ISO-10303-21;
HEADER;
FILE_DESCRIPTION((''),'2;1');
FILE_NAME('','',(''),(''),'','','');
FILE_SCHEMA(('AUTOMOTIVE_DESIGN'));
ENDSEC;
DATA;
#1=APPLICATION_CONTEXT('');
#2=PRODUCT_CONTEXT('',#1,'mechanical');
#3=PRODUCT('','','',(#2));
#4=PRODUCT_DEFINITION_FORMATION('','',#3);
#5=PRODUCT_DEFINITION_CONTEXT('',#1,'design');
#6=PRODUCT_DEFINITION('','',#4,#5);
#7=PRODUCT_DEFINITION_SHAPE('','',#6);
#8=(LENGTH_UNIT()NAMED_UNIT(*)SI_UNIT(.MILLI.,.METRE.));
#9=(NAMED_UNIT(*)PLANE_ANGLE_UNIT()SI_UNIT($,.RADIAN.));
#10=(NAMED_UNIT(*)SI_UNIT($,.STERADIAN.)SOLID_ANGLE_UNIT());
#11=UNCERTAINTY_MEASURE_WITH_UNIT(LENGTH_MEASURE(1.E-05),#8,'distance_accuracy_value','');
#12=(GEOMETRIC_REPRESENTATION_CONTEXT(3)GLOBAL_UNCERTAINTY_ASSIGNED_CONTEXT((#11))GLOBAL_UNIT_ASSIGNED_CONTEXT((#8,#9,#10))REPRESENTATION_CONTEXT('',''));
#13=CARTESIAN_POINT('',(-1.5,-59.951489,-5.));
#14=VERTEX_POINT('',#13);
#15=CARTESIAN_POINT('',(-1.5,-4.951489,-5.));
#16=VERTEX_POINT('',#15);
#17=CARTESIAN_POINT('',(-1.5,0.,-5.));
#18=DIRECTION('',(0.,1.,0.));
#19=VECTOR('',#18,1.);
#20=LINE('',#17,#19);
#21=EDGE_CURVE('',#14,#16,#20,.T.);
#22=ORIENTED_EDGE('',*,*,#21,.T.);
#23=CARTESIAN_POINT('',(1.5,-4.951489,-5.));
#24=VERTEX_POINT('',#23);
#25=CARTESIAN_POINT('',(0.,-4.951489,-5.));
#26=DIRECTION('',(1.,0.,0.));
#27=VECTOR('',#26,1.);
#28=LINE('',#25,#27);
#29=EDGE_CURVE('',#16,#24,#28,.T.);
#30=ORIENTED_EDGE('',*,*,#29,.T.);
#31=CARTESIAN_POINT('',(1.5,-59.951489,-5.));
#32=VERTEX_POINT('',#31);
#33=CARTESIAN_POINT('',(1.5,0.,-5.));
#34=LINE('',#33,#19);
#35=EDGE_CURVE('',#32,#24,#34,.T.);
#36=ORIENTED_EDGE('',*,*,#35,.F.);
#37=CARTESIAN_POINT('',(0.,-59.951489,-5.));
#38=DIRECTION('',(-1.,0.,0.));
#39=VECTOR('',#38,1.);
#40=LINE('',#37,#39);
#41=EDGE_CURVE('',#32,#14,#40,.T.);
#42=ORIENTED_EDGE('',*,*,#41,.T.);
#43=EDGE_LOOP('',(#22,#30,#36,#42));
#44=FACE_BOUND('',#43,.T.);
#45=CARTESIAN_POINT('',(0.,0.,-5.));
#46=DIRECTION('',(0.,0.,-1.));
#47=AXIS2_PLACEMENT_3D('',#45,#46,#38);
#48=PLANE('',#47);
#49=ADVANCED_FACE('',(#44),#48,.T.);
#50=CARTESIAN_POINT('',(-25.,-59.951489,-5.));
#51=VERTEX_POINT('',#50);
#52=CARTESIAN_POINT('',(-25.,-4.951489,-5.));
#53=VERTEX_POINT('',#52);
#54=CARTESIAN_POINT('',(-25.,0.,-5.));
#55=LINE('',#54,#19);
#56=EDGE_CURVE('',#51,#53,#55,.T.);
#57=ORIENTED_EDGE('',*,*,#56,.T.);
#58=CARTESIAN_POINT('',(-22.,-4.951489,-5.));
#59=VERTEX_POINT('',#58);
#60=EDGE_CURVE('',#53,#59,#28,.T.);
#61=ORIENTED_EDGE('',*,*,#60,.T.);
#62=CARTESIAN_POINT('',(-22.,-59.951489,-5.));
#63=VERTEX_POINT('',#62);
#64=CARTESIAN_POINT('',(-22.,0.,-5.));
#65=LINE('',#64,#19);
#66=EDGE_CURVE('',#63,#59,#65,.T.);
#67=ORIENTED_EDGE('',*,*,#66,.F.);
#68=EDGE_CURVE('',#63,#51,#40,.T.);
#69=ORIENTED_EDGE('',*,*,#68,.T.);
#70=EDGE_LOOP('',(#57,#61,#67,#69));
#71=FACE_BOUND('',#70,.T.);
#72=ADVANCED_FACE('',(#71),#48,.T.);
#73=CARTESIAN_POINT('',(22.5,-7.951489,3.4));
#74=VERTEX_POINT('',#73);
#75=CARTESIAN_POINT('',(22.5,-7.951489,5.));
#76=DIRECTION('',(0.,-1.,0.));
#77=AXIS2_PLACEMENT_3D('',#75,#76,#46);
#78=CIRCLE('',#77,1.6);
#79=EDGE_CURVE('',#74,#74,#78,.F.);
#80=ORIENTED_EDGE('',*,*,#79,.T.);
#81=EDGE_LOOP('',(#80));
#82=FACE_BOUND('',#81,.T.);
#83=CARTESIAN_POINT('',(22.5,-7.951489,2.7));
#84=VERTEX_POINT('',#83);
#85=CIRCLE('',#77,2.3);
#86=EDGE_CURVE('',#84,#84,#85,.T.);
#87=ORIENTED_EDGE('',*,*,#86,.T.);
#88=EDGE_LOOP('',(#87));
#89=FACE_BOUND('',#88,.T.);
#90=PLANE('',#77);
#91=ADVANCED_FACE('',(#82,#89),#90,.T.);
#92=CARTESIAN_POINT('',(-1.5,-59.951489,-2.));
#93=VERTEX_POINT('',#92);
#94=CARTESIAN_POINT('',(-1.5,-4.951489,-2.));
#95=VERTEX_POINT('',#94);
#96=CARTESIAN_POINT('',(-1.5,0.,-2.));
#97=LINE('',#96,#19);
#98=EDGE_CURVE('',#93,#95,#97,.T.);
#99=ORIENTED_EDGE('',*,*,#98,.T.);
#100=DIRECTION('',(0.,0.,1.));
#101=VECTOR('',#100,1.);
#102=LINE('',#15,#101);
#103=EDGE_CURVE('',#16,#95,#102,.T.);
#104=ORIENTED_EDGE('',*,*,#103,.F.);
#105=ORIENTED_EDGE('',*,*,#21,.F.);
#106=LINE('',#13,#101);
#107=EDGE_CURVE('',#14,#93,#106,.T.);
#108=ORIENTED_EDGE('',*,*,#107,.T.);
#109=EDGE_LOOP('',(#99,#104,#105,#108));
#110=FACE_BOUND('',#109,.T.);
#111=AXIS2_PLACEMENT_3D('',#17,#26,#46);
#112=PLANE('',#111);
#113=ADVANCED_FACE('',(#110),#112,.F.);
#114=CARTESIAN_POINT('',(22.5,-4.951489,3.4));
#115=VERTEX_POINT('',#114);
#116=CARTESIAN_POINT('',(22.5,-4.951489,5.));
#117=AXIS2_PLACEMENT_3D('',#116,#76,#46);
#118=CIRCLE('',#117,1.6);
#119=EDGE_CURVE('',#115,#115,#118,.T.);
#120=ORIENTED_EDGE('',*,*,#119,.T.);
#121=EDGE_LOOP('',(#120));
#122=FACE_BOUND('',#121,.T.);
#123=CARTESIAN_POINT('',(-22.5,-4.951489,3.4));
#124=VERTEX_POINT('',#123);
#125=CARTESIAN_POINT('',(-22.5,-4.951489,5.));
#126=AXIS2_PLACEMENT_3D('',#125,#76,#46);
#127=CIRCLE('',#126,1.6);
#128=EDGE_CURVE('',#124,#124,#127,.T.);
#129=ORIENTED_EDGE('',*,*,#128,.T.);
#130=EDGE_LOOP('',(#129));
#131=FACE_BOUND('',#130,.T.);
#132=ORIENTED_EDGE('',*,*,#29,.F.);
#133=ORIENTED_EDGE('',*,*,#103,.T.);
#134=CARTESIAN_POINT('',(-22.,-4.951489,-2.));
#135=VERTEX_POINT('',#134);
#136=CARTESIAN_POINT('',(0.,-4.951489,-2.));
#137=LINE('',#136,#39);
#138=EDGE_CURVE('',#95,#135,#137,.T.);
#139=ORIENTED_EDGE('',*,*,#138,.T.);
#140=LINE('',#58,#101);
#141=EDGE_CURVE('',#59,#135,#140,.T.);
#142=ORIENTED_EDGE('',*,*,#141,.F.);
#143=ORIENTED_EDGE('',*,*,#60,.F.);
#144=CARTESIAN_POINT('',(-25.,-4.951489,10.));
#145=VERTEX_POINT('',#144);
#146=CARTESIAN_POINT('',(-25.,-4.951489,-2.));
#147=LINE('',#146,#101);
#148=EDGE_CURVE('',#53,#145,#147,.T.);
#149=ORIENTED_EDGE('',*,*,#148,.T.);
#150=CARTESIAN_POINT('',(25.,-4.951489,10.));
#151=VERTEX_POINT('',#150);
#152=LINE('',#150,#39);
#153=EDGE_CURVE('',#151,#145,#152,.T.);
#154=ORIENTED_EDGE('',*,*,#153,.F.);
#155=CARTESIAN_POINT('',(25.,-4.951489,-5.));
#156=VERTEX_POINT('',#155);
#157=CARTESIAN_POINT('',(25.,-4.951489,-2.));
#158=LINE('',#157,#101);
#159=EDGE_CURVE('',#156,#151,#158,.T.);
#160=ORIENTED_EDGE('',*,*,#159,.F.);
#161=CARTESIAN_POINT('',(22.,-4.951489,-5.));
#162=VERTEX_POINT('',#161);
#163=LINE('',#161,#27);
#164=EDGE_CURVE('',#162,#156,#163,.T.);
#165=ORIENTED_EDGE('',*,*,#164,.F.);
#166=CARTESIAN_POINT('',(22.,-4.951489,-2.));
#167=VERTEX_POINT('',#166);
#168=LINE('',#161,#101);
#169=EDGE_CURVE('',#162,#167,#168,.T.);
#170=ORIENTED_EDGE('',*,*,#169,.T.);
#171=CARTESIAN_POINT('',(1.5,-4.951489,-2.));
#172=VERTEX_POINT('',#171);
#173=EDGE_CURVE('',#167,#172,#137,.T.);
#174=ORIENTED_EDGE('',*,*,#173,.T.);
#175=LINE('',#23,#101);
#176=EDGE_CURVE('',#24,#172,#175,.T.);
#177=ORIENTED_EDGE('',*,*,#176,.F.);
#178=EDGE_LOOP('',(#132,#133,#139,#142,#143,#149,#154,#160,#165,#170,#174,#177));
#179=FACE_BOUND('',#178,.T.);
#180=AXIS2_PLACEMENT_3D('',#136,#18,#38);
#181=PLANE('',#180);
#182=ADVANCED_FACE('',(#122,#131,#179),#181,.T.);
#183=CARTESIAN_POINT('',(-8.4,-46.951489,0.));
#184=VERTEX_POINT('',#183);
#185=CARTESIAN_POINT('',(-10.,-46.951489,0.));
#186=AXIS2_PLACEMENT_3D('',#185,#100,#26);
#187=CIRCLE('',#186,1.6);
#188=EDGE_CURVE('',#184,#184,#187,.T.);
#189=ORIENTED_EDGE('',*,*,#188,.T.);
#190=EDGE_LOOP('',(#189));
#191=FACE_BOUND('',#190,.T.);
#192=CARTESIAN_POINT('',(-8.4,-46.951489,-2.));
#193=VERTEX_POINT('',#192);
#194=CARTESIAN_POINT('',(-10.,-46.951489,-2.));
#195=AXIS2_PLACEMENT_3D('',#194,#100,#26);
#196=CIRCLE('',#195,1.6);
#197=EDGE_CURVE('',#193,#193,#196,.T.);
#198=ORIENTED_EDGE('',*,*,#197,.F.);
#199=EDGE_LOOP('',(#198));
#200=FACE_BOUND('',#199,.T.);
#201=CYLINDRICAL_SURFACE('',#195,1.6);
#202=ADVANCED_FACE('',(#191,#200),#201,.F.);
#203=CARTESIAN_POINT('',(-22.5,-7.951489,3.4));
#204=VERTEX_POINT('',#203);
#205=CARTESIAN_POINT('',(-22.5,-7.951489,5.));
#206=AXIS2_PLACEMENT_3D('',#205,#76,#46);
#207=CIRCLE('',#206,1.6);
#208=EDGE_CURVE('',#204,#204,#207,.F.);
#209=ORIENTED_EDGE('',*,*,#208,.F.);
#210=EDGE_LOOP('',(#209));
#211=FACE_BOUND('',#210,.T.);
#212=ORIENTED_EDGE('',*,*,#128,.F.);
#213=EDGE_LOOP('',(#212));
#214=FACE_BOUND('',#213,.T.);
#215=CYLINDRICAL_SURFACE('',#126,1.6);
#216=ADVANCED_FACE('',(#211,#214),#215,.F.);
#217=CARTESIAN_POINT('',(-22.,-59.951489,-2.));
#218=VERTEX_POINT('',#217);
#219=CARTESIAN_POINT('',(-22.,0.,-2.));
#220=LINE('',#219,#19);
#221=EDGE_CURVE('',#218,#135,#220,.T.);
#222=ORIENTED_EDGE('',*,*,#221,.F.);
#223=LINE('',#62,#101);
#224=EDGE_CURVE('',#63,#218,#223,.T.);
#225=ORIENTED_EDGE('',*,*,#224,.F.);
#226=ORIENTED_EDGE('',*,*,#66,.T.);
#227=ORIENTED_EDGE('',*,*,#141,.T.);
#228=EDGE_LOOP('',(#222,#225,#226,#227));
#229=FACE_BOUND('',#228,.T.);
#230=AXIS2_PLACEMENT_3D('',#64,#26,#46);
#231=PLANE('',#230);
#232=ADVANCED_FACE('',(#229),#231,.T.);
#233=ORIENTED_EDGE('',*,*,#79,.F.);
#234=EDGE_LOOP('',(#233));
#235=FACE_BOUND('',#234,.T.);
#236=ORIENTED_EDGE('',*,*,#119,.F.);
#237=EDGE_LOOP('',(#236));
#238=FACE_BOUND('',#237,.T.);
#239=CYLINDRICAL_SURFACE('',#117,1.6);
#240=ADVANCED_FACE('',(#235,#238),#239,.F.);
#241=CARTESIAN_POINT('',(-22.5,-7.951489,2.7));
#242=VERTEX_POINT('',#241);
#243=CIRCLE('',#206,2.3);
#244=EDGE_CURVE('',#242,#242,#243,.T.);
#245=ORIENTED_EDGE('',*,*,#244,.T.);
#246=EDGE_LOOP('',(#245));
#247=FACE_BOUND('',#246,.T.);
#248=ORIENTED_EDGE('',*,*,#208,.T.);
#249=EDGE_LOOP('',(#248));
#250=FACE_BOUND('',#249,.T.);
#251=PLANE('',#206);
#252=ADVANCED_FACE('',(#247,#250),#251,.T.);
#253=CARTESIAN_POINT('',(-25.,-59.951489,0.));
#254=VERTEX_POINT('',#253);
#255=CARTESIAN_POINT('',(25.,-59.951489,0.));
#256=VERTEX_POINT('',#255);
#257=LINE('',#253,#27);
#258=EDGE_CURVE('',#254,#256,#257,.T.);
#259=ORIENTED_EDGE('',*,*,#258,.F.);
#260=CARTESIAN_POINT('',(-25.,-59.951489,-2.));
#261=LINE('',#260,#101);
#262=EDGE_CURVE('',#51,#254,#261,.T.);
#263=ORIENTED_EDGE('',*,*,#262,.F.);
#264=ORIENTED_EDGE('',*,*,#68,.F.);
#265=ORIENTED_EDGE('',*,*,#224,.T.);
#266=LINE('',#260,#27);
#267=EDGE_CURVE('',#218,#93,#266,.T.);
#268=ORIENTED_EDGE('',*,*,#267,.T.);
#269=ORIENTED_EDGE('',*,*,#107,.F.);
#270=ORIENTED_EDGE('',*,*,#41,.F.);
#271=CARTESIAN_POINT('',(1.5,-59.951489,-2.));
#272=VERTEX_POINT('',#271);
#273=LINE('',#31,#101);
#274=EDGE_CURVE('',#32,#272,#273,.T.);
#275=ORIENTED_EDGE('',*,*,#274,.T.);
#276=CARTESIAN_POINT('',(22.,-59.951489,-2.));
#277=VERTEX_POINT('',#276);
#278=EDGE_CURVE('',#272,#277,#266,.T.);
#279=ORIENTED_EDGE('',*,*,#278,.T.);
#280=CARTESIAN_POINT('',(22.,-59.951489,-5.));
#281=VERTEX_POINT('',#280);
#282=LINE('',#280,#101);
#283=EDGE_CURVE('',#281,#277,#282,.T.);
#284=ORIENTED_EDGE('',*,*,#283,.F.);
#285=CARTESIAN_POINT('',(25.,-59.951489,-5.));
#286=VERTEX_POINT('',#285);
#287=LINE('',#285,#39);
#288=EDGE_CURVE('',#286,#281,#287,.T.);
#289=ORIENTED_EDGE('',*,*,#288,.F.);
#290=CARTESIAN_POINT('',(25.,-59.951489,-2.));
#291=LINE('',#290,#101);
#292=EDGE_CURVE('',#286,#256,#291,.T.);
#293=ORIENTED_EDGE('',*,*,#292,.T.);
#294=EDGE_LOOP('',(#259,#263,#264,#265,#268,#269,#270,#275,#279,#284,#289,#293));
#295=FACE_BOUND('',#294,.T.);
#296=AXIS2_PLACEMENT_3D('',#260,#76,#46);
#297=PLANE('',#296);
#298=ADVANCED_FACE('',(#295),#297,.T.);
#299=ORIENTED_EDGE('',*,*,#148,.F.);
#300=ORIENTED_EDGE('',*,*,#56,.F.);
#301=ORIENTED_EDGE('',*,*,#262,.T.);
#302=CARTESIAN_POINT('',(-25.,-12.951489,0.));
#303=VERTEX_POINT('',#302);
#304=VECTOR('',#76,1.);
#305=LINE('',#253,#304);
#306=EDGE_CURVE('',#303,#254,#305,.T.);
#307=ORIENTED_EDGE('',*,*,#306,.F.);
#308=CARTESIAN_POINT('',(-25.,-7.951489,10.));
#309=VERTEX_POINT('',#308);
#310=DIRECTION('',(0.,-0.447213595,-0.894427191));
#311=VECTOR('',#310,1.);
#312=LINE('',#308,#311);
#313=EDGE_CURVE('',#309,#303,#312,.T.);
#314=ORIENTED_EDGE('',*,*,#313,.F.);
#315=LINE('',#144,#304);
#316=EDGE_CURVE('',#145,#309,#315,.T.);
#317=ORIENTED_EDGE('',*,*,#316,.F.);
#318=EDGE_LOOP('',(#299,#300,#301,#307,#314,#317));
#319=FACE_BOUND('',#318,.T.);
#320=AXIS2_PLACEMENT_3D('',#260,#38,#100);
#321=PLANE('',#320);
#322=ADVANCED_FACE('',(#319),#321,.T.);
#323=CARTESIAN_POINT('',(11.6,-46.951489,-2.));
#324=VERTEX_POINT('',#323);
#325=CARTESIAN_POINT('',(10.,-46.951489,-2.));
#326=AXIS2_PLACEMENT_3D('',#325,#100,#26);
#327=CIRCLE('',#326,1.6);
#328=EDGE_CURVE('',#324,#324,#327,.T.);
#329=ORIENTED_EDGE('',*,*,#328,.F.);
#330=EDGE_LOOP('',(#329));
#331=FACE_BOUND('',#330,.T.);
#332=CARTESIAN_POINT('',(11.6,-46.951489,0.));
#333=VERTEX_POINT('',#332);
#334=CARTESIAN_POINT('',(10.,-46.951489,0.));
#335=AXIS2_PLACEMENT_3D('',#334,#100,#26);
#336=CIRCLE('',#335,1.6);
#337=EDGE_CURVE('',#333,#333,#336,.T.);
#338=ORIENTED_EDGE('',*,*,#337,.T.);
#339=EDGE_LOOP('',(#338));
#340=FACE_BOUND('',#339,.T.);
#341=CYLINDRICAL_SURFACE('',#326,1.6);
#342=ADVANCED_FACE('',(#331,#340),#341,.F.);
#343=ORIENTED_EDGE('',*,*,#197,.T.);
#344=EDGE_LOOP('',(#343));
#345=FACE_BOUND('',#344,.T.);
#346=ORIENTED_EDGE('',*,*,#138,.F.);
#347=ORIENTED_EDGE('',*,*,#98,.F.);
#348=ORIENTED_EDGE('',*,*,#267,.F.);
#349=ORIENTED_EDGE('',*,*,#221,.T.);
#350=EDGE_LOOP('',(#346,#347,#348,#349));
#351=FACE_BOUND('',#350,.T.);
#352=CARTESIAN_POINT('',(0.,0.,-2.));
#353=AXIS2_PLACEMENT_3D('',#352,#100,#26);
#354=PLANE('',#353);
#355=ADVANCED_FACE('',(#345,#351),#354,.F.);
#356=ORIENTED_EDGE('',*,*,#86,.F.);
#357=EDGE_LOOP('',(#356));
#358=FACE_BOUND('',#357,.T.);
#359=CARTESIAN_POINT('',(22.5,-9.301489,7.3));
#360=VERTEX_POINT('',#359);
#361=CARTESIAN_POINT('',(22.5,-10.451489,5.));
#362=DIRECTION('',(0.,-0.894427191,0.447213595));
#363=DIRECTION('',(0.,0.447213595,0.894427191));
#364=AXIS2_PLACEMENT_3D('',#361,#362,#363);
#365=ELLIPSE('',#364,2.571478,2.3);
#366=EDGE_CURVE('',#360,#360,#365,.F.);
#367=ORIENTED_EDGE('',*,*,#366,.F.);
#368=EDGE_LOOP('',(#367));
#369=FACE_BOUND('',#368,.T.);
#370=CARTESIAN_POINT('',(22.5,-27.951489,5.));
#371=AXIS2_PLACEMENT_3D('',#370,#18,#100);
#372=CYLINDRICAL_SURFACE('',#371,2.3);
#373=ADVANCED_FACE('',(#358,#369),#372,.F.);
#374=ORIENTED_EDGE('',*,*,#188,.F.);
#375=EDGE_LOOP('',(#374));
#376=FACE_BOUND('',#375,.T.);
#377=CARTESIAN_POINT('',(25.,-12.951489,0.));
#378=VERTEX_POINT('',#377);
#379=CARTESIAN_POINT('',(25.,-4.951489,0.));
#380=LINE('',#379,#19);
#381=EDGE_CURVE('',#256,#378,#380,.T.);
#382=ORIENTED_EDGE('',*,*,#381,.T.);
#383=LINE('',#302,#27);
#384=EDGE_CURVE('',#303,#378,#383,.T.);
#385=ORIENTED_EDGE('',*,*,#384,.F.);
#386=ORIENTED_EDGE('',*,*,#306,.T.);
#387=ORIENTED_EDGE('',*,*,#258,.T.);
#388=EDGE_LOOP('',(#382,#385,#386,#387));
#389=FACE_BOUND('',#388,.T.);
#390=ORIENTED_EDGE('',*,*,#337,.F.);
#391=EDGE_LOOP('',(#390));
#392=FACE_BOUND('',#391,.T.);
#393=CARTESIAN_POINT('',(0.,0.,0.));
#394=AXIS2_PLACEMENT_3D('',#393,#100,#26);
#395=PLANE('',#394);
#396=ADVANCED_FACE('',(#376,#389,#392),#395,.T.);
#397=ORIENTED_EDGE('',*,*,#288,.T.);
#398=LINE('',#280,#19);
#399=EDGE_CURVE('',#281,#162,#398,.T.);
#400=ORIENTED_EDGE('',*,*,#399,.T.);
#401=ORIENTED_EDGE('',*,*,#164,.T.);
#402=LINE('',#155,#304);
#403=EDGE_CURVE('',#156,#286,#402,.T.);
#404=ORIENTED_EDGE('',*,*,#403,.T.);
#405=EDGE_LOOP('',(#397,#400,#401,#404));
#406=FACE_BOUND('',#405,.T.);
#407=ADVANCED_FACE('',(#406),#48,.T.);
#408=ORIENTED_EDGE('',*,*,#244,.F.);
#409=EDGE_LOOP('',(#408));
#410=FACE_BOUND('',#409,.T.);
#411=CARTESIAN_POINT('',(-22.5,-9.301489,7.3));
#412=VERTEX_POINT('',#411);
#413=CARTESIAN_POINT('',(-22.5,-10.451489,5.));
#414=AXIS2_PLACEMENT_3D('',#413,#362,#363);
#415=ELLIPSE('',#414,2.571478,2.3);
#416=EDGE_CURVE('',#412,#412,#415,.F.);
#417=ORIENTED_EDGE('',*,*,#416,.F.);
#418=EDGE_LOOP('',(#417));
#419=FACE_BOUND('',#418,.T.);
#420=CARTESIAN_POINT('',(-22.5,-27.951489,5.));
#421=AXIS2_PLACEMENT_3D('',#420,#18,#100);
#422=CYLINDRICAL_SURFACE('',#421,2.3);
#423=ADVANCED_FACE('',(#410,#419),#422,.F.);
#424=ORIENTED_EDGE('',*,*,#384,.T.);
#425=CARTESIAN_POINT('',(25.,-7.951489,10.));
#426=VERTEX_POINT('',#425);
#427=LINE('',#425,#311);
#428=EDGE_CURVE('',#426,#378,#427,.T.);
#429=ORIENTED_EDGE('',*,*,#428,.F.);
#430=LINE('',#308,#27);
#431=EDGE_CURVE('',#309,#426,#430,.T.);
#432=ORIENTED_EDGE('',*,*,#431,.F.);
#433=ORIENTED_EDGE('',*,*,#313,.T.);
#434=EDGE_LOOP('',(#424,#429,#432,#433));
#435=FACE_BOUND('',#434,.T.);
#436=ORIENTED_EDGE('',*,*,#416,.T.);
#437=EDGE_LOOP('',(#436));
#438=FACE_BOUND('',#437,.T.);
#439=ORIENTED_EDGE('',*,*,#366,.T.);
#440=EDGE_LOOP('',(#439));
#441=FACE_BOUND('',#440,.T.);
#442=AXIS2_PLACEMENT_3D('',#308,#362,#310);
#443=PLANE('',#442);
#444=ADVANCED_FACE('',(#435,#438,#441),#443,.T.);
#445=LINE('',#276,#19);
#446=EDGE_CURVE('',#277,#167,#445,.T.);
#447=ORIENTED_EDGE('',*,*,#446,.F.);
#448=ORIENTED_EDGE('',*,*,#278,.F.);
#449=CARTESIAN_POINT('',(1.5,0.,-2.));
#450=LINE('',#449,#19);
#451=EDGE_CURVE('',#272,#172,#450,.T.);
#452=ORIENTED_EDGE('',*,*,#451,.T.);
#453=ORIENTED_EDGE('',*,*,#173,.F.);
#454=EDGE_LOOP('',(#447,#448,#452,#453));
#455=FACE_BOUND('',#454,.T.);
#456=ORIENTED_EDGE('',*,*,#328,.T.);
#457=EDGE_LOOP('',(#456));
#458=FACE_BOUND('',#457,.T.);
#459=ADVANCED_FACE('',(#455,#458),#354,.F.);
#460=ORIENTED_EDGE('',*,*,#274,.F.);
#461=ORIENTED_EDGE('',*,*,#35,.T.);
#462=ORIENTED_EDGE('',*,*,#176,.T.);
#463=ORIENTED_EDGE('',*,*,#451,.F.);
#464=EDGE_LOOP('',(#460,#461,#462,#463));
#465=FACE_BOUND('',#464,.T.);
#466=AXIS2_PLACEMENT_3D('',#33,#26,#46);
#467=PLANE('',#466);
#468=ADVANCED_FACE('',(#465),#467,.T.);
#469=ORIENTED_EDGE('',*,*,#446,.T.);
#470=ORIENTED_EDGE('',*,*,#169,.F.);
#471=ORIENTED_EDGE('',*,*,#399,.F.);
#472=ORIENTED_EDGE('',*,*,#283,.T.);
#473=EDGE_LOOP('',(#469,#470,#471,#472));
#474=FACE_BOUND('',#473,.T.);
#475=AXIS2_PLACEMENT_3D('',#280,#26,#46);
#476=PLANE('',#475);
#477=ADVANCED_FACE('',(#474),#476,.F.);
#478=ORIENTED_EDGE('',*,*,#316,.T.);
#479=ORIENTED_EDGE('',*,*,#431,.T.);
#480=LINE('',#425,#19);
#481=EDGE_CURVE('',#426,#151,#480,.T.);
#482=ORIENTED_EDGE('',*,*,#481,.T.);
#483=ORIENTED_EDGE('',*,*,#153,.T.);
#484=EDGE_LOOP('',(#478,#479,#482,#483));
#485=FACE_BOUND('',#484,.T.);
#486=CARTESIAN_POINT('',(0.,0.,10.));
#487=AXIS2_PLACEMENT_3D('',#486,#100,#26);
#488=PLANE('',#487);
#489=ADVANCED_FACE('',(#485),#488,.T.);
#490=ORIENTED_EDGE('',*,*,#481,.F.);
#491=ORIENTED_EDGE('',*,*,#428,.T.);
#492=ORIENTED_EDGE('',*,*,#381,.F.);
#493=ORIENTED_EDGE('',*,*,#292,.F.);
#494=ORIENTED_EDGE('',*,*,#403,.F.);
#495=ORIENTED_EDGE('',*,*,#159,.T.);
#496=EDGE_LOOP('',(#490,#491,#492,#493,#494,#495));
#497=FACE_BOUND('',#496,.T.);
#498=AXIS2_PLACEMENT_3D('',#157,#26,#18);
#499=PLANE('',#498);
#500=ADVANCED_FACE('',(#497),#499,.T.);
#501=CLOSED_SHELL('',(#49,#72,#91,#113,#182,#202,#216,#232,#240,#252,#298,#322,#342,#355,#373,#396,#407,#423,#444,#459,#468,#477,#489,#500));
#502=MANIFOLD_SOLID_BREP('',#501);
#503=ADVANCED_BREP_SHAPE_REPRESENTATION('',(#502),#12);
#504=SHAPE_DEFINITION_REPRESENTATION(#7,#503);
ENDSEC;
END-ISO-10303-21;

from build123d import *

# Parameters (mm, degrees)
SKETCH_1_R          = 1.6
EXTRUDE_2_DEPTH     = 2
SKETCH_2_W          = 50
SKETCH_2_H          = 3
EXTRUDE_3_DEPTH     = 10
SKETCH_3_R          = 1.45
CUT_EXTRUDE_1_DEPTH = 3
EXTRUDE_4_DEPTH     = 50
SKETCH_8_R          = 1.6
CUT_EXTRUDE_4_DEPTH = 4
SKETCH_7_R          = 2.3
CUT_EXTRUDE_6_DEPTH = 20
SKETCH_10_W         = 3
SKETCH_10_H         = 55
EXTRUDE_5_DEPTH     = 3


with BuildPart() as part:
    # 草图1 → 凸台-拉伸2 (new body)
    with BuildSketch(Plane.XY):
        Polygon((25, -4.951489209), (25, -59.951489209), (-25, -59.951489209), (-25, -4.951489209), (0, -4.951489209), align=None)
        with Locations((10, -46.951489209)):
            Circle(SKETCH_1_R, mode=Mode.SUBTRACT)
        with Locations((-10, -46.951489209)):
            Circle(SKETCH_1_R, mode=Mode.SUBTRACT)
    extrude(amount=-EXTRUDE_2_DEPTH)

    # 草图2 → 凸台-拉伸3 (add)
    with BuildSketch(Plane.XY):
        with Locations((0, -6.451489209)):
            Rectangle(SKETCH_2_W, SKETCH_2_H)
    extrude(amount=EXTRUDE_3_DEPTH)

    # 草图3 → 切除-拉伸1 (cut)
    with BuildSketch(Plane(origin=(0, -7.951489209, 0), x_dir=(-1, 0, 0), z_dir=(0, -1, 0))):
        with Locations((22.5, -5)):
            Circle(SKETCH_3_R)
        with Locations((-22.5, -5)):
            Circle(SKETCH_3_R)
    extrude(amount=-CUT_EXTRUDE_1_DEPTH, mode=Mode.SUBTRACT)

    # 草图5 → 凸台-拉伸4 (add)
    with BuildSketch(Plane(origin=(25, -7.951489209, 0), x_dir=(0, 0, -1), z_dir=(1, 0, 0))):
        Polygon((-10, 0), (0, 0), (0, -5), align=None)
    extrude(amount=-EXTRUDE_4_DEPTH)

    # 草图8 → 切除-拉伸4 (cut, through all)
    with BuildSketch(Plane(origin=(0, -7.951489209, 0), x_dir=(-1, 0, 0), z_dir=(0, -1, 0))):
        with Locations((-22.5, -5)):
            Circle(SKETCH_8_R)
        with Locations((22.5, -5)):
            Circle(SKETCH_8_R)
    extrude(amount=-CUT_EXTRUDE_4_DEPTH, mode=Mode.SUBTRACT)

    # 草图7 → 切除-拉伸6 (cut)
    with BuildSketch(Plane(origin=(0, -7.951489209, 0), x_dir=(-1, 0, 0), z_dir=(0, -1, 0))):
        with Locations((-22.5, -5)):
            Circle(SKETCH_7_R)
        with Locations((22.5, -5)):
            Circle(SKETCH_7_R)
    extrude(amount=CUT_EXTRUDE_6_DEPTH, mode=Mode.SUBTRACT)

    # 草图10 → 凸台-拉伸5 (add)
    with BuildSketch(Plane(origin=(0, 0, -2), x_dir=(-1, 0, 0), z_dir=(0, 0, -1))):
        Polygon((-1.5, -59.951489209), (0, -59.951489209), (1.5, -59.951489209), (1.5, -4.951489209), (0, -4.951489209), (-1.5, -4.951489209), align=None)
        with Locations((23.5, -32.451489209)):
            Rectangle(SKETCH_10_W, SKETCH_10_H)
        with Locations((-23.5, -32.451489209)):
            Rectangle(SKETCH_10_W, SKETCH_10_H)
    extrude(amount=EXTRUDE_5_DEPTH)


solid = part.part
